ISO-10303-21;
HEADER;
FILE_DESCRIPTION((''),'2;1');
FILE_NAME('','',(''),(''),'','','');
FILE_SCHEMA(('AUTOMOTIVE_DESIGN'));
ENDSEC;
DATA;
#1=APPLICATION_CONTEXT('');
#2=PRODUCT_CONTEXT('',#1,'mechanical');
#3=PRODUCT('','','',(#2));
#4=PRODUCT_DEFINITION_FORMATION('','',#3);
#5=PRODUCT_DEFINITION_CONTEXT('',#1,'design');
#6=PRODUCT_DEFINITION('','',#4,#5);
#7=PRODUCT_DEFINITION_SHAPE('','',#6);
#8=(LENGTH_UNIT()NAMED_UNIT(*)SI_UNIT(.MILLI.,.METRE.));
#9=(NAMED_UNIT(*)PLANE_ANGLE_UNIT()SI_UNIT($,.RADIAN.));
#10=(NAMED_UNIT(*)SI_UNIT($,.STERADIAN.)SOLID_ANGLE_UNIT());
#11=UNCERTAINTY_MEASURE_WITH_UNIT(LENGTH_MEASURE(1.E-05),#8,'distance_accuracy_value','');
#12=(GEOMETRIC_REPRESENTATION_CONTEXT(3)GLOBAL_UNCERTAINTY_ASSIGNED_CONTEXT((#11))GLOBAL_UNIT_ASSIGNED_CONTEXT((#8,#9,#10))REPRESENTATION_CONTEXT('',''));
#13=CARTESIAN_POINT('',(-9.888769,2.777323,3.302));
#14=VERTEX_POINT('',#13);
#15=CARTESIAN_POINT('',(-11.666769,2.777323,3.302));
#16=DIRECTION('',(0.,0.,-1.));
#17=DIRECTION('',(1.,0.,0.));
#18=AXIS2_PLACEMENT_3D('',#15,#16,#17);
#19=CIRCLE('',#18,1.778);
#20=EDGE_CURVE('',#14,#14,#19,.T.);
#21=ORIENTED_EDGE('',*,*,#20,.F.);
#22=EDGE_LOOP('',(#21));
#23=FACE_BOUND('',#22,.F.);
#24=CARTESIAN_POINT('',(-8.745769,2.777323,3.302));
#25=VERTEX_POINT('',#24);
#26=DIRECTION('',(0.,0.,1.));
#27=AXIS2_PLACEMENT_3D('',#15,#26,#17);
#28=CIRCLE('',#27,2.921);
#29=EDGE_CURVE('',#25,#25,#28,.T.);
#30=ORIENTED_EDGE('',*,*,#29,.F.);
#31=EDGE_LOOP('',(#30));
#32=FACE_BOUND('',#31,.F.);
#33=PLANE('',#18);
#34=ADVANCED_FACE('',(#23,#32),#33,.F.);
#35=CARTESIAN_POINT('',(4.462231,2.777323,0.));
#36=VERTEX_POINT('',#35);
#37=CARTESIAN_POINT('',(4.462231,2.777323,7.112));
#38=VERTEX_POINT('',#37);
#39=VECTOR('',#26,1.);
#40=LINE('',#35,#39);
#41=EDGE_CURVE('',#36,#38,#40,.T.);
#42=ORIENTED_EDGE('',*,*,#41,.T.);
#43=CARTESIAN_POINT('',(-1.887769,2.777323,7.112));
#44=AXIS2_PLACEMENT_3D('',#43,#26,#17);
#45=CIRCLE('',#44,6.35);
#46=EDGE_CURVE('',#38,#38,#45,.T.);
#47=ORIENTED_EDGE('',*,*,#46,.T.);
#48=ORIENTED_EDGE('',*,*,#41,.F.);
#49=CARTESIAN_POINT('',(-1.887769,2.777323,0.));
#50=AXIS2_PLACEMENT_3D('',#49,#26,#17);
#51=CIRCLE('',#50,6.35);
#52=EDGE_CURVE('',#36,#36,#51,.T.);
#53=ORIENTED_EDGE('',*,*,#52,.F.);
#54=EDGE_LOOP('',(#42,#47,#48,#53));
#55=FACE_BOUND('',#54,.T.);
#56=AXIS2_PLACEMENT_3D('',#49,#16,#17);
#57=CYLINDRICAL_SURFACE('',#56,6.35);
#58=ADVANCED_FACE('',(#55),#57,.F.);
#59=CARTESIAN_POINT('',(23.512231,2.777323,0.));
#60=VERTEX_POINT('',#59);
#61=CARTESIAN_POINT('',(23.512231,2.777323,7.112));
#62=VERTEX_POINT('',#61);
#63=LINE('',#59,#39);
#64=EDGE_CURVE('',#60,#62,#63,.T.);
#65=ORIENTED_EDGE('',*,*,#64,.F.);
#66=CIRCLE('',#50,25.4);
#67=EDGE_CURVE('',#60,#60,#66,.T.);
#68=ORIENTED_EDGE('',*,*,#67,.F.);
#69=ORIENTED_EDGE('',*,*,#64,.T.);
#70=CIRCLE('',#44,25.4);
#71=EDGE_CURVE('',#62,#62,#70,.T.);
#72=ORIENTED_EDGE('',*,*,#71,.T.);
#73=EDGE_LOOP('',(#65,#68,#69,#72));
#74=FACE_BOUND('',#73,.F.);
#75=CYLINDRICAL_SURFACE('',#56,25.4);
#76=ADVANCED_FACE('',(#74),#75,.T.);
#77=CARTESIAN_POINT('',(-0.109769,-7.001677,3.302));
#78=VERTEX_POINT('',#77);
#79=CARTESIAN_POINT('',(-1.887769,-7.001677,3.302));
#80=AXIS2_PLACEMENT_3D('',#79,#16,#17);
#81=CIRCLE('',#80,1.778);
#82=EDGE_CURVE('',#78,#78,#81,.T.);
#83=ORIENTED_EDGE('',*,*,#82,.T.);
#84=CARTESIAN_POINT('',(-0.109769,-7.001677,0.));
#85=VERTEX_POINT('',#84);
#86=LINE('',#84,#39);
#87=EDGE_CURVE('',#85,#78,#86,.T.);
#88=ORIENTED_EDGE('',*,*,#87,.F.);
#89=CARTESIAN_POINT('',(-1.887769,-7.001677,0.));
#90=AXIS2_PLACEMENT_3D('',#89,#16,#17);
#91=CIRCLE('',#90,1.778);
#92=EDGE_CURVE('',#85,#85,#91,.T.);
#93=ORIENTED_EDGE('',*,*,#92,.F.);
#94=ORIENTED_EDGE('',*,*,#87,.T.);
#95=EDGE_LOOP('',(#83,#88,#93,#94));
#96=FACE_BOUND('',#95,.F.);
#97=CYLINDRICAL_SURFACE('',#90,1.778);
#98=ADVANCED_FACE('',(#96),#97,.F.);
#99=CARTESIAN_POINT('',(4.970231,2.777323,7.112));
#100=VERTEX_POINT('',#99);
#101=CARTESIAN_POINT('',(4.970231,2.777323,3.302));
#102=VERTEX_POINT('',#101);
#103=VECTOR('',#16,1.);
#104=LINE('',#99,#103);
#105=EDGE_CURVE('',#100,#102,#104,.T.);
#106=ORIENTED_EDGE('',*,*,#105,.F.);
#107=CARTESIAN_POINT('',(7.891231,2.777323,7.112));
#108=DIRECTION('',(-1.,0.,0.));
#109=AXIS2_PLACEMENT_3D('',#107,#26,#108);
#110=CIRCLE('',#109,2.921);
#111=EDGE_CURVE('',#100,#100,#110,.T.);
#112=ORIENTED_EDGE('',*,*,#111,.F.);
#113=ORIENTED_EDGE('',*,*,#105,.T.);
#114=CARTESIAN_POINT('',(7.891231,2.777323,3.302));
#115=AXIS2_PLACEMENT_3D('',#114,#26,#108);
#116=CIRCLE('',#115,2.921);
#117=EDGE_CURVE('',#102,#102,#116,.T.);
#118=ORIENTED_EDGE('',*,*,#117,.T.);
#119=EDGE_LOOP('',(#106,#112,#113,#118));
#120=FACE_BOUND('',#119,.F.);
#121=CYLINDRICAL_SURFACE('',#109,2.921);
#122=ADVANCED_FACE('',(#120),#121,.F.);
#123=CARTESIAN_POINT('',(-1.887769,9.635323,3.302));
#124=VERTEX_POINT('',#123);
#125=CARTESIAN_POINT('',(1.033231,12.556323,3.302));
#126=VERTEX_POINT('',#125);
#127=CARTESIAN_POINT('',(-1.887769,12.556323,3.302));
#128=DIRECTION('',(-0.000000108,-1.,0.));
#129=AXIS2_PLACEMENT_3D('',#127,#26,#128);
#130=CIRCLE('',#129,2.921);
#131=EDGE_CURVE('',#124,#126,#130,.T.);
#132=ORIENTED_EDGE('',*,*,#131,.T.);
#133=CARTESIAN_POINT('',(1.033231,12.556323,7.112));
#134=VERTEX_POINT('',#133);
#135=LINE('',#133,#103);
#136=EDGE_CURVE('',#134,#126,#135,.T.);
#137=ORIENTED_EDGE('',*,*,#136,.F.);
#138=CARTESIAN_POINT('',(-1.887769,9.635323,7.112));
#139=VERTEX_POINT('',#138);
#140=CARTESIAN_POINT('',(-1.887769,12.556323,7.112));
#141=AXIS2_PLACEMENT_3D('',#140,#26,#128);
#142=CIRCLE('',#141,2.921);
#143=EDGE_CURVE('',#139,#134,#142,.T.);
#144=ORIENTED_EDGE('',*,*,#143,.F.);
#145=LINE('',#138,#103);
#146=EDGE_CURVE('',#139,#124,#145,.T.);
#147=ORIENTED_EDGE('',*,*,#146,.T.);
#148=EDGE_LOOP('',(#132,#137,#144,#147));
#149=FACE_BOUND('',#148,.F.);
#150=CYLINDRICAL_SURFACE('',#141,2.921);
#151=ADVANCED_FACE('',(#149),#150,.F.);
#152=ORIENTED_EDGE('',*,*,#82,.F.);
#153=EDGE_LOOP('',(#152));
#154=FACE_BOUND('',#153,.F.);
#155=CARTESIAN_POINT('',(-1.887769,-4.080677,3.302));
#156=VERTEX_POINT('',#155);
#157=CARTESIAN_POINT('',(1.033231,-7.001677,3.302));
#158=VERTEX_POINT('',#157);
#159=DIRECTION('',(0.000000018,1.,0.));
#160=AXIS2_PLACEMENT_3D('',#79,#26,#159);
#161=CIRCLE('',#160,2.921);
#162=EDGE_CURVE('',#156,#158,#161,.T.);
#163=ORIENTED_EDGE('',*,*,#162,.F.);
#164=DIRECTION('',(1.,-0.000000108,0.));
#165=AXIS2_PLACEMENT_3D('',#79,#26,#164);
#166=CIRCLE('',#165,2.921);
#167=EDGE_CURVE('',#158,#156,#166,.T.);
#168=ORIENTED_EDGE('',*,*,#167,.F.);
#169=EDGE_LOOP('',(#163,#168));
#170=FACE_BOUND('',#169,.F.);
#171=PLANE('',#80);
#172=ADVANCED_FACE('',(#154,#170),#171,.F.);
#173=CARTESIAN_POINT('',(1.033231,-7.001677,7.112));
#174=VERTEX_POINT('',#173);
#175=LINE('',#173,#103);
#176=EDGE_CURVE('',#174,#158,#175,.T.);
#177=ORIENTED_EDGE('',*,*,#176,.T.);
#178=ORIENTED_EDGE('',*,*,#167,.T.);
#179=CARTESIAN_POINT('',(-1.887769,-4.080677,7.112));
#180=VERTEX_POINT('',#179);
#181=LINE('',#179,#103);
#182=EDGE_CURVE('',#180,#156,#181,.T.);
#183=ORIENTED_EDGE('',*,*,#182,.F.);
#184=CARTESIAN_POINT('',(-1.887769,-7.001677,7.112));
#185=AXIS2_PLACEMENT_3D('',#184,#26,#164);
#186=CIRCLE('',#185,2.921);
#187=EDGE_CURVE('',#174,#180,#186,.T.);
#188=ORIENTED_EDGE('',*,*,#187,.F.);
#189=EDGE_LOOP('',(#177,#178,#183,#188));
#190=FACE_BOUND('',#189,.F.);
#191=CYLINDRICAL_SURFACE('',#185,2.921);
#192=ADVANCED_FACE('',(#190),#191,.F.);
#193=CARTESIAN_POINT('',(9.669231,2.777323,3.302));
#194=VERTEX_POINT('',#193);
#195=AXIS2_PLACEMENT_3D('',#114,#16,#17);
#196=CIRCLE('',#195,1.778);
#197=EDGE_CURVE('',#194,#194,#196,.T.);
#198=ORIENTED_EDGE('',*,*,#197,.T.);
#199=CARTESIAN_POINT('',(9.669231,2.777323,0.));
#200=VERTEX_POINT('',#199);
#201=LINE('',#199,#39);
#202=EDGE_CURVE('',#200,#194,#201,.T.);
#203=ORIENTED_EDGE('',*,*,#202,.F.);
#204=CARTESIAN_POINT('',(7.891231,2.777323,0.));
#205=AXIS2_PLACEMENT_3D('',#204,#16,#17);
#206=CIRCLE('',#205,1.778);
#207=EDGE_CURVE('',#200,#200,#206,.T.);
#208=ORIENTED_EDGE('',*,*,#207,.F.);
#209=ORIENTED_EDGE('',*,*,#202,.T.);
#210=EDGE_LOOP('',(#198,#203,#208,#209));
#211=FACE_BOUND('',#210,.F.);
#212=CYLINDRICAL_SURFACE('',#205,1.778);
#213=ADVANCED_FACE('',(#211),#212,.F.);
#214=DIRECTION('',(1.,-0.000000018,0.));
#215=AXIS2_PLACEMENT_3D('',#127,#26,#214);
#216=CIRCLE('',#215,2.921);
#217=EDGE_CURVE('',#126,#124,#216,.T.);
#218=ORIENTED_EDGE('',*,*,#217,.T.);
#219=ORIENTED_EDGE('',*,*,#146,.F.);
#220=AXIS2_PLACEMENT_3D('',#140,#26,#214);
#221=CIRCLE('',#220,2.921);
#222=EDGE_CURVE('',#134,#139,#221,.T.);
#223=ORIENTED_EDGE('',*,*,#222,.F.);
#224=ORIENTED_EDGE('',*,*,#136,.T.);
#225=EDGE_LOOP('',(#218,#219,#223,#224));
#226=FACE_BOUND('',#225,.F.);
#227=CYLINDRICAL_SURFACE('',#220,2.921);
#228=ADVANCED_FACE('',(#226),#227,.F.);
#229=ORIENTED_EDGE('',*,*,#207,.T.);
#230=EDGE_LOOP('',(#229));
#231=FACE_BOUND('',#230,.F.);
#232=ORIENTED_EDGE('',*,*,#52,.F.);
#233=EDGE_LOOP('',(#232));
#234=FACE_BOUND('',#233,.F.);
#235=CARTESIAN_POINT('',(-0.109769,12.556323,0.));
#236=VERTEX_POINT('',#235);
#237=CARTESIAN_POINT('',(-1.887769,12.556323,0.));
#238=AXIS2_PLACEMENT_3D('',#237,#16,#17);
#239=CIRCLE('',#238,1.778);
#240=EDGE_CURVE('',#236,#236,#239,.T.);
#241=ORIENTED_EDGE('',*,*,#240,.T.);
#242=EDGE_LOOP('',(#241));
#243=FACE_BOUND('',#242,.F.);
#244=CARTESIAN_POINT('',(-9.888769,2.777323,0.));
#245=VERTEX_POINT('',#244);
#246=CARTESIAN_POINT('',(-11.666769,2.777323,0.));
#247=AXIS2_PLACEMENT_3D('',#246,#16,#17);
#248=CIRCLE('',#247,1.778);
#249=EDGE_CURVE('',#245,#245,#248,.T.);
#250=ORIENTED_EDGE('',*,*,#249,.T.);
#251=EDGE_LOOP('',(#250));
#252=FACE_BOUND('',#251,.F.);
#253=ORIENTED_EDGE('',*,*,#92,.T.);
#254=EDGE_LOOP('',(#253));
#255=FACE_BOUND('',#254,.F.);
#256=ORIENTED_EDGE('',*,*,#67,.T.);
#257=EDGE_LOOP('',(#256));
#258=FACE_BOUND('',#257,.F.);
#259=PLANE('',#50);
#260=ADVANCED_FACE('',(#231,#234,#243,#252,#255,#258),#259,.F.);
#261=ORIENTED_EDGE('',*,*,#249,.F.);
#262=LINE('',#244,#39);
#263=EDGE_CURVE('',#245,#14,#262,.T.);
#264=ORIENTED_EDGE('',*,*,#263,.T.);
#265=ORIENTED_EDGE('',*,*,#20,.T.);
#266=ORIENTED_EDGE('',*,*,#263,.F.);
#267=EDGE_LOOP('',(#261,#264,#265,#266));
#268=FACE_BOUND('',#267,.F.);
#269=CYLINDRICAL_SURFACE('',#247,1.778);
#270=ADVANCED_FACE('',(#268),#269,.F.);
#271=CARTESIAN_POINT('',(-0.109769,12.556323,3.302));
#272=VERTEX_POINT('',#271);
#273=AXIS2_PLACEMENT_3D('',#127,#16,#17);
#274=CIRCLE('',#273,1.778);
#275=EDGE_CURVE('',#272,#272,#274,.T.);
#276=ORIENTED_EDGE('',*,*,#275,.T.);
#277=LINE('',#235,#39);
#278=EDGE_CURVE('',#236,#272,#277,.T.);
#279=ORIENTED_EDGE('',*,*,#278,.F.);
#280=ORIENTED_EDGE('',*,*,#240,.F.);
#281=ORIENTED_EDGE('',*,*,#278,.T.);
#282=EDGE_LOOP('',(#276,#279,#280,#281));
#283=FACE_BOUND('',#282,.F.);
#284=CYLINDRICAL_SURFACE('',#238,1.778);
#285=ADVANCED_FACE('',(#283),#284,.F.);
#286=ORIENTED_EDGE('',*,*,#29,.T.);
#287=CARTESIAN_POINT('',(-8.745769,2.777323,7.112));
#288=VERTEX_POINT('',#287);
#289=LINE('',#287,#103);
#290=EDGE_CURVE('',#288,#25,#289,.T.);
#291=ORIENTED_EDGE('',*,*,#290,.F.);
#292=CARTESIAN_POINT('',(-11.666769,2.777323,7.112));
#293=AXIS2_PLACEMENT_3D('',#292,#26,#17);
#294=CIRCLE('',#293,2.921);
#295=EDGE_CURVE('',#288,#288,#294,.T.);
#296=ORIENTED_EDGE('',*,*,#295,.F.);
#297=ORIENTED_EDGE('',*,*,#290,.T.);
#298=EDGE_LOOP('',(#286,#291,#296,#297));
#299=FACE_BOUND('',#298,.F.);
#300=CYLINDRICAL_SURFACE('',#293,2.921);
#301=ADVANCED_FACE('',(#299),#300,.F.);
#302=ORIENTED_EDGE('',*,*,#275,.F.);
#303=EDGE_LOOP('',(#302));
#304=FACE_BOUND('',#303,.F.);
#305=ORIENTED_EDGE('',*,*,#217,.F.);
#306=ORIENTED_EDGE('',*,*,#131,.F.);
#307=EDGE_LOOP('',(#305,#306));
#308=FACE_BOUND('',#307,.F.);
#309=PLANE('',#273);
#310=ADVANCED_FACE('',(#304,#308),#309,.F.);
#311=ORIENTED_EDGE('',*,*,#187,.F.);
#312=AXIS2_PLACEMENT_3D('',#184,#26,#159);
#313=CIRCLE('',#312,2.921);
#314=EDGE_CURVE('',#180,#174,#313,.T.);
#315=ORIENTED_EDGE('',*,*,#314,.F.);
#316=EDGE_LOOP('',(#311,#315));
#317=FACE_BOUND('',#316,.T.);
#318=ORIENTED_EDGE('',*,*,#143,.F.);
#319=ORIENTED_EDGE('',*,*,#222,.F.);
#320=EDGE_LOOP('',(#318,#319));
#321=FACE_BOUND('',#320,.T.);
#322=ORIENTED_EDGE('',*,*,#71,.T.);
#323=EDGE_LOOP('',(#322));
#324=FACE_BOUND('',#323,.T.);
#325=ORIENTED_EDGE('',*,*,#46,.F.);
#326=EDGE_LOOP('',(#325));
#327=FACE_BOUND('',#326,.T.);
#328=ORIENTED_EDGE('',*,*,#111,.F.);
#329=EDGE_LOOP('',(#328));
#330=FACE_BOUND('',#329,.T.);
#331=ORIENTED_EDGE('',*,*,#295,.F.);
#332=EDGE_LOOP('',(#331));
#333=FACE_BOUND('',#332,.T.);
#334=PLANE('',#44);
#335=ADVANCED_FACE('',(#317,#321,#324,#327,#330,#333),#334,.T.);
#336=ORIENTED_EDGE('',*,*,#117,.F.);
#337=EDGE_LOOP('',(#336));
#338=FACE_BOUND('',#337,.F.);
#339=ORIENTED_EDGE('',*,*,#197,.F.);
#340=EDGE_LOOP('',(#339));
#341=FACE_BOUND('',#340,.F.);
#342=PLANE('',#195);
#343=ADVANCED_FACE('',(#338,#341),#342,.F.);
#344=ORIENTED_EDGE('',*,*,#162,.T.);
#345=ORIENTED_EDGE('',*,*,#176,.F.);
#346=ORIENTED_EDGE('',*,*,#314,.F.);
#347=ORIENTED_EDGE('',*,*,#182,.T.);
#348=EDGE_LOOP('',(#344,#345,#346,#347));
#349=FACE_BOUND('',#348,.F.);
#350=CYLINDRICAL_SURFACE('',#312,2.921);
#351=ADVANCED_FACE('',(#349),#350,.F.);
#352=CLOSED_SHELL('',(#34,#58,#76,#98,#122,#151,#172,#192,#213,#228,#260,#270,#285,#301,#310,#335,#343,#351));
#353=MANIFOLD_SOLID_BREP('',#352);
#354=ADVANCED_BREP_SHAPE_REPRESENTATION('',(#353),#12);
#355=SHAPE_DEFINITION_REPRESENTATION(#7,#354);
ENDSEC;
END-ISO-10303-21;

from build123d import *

# Parameters (mm, degrees)
F0_R     = 25.4
F0_R_2   = 6.35
F1_DEPTH = 7.112
F2_R     = 2.921
F3_DEPTH = 25.4
F4_R     = 3.181952
F4_R_2   = 1.778
F4_R_3   = 3.147606
F4_R_4   = 3.161985
F4_R_5   = 3.109144
F5_DEPTH = 3.302


with BuildPart() as f1:
    # F0 (on Top) → F1 (new body)
    with BuildSketch(Plane.XY):
        with Locations((-1.887769, 2.777323)):
            Circle(F0_R)
        with Locations((-1.887769, 2.777323)):
            Circle(F0_R_2, mode=Mode.SUBTRACT)
    extrude(amount=F1_DEPTH)

    # F2 (on face) → F3 (cut)
    with BuildSketch(Plane.XY.offset(7.112)):
        with BuildLine():
            ThreePointArc((1.033231, 12.556323), (-3.953228, 14.621782), (-1.887769, 9.635323))
            ThreePointArc((-1.887769, 9.635323), (0.17769, 10.490864), (1.033231, 12.556323))
        make_face()
        with BuildLine():
            ThreePointArc((1.033231, -7.001677), (0.17769, -4.936218), (-1.887769, -4.080677))
            ThreePointArc((-1.887769, -4.080677), (-3.953228, -9.067136), (1.033231, -7.001677))
        make_face()
        with Locations((-11.666769, 2.777323)):
            Circle(F2_R)
        with BuildLine():
            ThreePointArc((10.812231, 2.777323), (7.891231, 5.698323), (4.970231, 2.777323))
            ThreePointArc((4.970231, 2.777323), (7.891231, -0.143677), (10.812231, 2.777323))
        make_face()
    extrude(amount=-F3_DEPTH, mode=Mode.SUBTRACT)

    # F4 (on face) → F5 (join)
    with BuildSketch(Plane(origin=(0, 0, 0), x_dir=(1, 0, 0), z_dir=(0, 0, -1))):
        with Locations((-1.887769, 7.001677)):
            Circle(F4_R)
        with Locations((-1.887769, 7.001677)):
            Circle(F4_R_2, mode=Mode.SUBTRACT)
        with Locations((7.891231, -2.777323)):
            Circle(F4_R_3)
        with Locations((7.891231, -2.777323)):
            Circle(F4_R_2, mode=Mode.SUBTRACT)
        with Locations((-1.887769, -12.556323)):
            Circle(F4_R_4)
        with Locations((-1.887769, -12.556323)):
            Circle(F4_R_2, mode=Mode.SUBTRACT)
        with Locations((-11.666769, -2.777323)):
            Circle(F4_R_5)
        with Locations((-11.666769, -2.777323)):
            Circle(F4_R_2, mode=Mode.SUBTRACT)
    extrude(amount=-F5_DEPTH)


solid = f1.part
